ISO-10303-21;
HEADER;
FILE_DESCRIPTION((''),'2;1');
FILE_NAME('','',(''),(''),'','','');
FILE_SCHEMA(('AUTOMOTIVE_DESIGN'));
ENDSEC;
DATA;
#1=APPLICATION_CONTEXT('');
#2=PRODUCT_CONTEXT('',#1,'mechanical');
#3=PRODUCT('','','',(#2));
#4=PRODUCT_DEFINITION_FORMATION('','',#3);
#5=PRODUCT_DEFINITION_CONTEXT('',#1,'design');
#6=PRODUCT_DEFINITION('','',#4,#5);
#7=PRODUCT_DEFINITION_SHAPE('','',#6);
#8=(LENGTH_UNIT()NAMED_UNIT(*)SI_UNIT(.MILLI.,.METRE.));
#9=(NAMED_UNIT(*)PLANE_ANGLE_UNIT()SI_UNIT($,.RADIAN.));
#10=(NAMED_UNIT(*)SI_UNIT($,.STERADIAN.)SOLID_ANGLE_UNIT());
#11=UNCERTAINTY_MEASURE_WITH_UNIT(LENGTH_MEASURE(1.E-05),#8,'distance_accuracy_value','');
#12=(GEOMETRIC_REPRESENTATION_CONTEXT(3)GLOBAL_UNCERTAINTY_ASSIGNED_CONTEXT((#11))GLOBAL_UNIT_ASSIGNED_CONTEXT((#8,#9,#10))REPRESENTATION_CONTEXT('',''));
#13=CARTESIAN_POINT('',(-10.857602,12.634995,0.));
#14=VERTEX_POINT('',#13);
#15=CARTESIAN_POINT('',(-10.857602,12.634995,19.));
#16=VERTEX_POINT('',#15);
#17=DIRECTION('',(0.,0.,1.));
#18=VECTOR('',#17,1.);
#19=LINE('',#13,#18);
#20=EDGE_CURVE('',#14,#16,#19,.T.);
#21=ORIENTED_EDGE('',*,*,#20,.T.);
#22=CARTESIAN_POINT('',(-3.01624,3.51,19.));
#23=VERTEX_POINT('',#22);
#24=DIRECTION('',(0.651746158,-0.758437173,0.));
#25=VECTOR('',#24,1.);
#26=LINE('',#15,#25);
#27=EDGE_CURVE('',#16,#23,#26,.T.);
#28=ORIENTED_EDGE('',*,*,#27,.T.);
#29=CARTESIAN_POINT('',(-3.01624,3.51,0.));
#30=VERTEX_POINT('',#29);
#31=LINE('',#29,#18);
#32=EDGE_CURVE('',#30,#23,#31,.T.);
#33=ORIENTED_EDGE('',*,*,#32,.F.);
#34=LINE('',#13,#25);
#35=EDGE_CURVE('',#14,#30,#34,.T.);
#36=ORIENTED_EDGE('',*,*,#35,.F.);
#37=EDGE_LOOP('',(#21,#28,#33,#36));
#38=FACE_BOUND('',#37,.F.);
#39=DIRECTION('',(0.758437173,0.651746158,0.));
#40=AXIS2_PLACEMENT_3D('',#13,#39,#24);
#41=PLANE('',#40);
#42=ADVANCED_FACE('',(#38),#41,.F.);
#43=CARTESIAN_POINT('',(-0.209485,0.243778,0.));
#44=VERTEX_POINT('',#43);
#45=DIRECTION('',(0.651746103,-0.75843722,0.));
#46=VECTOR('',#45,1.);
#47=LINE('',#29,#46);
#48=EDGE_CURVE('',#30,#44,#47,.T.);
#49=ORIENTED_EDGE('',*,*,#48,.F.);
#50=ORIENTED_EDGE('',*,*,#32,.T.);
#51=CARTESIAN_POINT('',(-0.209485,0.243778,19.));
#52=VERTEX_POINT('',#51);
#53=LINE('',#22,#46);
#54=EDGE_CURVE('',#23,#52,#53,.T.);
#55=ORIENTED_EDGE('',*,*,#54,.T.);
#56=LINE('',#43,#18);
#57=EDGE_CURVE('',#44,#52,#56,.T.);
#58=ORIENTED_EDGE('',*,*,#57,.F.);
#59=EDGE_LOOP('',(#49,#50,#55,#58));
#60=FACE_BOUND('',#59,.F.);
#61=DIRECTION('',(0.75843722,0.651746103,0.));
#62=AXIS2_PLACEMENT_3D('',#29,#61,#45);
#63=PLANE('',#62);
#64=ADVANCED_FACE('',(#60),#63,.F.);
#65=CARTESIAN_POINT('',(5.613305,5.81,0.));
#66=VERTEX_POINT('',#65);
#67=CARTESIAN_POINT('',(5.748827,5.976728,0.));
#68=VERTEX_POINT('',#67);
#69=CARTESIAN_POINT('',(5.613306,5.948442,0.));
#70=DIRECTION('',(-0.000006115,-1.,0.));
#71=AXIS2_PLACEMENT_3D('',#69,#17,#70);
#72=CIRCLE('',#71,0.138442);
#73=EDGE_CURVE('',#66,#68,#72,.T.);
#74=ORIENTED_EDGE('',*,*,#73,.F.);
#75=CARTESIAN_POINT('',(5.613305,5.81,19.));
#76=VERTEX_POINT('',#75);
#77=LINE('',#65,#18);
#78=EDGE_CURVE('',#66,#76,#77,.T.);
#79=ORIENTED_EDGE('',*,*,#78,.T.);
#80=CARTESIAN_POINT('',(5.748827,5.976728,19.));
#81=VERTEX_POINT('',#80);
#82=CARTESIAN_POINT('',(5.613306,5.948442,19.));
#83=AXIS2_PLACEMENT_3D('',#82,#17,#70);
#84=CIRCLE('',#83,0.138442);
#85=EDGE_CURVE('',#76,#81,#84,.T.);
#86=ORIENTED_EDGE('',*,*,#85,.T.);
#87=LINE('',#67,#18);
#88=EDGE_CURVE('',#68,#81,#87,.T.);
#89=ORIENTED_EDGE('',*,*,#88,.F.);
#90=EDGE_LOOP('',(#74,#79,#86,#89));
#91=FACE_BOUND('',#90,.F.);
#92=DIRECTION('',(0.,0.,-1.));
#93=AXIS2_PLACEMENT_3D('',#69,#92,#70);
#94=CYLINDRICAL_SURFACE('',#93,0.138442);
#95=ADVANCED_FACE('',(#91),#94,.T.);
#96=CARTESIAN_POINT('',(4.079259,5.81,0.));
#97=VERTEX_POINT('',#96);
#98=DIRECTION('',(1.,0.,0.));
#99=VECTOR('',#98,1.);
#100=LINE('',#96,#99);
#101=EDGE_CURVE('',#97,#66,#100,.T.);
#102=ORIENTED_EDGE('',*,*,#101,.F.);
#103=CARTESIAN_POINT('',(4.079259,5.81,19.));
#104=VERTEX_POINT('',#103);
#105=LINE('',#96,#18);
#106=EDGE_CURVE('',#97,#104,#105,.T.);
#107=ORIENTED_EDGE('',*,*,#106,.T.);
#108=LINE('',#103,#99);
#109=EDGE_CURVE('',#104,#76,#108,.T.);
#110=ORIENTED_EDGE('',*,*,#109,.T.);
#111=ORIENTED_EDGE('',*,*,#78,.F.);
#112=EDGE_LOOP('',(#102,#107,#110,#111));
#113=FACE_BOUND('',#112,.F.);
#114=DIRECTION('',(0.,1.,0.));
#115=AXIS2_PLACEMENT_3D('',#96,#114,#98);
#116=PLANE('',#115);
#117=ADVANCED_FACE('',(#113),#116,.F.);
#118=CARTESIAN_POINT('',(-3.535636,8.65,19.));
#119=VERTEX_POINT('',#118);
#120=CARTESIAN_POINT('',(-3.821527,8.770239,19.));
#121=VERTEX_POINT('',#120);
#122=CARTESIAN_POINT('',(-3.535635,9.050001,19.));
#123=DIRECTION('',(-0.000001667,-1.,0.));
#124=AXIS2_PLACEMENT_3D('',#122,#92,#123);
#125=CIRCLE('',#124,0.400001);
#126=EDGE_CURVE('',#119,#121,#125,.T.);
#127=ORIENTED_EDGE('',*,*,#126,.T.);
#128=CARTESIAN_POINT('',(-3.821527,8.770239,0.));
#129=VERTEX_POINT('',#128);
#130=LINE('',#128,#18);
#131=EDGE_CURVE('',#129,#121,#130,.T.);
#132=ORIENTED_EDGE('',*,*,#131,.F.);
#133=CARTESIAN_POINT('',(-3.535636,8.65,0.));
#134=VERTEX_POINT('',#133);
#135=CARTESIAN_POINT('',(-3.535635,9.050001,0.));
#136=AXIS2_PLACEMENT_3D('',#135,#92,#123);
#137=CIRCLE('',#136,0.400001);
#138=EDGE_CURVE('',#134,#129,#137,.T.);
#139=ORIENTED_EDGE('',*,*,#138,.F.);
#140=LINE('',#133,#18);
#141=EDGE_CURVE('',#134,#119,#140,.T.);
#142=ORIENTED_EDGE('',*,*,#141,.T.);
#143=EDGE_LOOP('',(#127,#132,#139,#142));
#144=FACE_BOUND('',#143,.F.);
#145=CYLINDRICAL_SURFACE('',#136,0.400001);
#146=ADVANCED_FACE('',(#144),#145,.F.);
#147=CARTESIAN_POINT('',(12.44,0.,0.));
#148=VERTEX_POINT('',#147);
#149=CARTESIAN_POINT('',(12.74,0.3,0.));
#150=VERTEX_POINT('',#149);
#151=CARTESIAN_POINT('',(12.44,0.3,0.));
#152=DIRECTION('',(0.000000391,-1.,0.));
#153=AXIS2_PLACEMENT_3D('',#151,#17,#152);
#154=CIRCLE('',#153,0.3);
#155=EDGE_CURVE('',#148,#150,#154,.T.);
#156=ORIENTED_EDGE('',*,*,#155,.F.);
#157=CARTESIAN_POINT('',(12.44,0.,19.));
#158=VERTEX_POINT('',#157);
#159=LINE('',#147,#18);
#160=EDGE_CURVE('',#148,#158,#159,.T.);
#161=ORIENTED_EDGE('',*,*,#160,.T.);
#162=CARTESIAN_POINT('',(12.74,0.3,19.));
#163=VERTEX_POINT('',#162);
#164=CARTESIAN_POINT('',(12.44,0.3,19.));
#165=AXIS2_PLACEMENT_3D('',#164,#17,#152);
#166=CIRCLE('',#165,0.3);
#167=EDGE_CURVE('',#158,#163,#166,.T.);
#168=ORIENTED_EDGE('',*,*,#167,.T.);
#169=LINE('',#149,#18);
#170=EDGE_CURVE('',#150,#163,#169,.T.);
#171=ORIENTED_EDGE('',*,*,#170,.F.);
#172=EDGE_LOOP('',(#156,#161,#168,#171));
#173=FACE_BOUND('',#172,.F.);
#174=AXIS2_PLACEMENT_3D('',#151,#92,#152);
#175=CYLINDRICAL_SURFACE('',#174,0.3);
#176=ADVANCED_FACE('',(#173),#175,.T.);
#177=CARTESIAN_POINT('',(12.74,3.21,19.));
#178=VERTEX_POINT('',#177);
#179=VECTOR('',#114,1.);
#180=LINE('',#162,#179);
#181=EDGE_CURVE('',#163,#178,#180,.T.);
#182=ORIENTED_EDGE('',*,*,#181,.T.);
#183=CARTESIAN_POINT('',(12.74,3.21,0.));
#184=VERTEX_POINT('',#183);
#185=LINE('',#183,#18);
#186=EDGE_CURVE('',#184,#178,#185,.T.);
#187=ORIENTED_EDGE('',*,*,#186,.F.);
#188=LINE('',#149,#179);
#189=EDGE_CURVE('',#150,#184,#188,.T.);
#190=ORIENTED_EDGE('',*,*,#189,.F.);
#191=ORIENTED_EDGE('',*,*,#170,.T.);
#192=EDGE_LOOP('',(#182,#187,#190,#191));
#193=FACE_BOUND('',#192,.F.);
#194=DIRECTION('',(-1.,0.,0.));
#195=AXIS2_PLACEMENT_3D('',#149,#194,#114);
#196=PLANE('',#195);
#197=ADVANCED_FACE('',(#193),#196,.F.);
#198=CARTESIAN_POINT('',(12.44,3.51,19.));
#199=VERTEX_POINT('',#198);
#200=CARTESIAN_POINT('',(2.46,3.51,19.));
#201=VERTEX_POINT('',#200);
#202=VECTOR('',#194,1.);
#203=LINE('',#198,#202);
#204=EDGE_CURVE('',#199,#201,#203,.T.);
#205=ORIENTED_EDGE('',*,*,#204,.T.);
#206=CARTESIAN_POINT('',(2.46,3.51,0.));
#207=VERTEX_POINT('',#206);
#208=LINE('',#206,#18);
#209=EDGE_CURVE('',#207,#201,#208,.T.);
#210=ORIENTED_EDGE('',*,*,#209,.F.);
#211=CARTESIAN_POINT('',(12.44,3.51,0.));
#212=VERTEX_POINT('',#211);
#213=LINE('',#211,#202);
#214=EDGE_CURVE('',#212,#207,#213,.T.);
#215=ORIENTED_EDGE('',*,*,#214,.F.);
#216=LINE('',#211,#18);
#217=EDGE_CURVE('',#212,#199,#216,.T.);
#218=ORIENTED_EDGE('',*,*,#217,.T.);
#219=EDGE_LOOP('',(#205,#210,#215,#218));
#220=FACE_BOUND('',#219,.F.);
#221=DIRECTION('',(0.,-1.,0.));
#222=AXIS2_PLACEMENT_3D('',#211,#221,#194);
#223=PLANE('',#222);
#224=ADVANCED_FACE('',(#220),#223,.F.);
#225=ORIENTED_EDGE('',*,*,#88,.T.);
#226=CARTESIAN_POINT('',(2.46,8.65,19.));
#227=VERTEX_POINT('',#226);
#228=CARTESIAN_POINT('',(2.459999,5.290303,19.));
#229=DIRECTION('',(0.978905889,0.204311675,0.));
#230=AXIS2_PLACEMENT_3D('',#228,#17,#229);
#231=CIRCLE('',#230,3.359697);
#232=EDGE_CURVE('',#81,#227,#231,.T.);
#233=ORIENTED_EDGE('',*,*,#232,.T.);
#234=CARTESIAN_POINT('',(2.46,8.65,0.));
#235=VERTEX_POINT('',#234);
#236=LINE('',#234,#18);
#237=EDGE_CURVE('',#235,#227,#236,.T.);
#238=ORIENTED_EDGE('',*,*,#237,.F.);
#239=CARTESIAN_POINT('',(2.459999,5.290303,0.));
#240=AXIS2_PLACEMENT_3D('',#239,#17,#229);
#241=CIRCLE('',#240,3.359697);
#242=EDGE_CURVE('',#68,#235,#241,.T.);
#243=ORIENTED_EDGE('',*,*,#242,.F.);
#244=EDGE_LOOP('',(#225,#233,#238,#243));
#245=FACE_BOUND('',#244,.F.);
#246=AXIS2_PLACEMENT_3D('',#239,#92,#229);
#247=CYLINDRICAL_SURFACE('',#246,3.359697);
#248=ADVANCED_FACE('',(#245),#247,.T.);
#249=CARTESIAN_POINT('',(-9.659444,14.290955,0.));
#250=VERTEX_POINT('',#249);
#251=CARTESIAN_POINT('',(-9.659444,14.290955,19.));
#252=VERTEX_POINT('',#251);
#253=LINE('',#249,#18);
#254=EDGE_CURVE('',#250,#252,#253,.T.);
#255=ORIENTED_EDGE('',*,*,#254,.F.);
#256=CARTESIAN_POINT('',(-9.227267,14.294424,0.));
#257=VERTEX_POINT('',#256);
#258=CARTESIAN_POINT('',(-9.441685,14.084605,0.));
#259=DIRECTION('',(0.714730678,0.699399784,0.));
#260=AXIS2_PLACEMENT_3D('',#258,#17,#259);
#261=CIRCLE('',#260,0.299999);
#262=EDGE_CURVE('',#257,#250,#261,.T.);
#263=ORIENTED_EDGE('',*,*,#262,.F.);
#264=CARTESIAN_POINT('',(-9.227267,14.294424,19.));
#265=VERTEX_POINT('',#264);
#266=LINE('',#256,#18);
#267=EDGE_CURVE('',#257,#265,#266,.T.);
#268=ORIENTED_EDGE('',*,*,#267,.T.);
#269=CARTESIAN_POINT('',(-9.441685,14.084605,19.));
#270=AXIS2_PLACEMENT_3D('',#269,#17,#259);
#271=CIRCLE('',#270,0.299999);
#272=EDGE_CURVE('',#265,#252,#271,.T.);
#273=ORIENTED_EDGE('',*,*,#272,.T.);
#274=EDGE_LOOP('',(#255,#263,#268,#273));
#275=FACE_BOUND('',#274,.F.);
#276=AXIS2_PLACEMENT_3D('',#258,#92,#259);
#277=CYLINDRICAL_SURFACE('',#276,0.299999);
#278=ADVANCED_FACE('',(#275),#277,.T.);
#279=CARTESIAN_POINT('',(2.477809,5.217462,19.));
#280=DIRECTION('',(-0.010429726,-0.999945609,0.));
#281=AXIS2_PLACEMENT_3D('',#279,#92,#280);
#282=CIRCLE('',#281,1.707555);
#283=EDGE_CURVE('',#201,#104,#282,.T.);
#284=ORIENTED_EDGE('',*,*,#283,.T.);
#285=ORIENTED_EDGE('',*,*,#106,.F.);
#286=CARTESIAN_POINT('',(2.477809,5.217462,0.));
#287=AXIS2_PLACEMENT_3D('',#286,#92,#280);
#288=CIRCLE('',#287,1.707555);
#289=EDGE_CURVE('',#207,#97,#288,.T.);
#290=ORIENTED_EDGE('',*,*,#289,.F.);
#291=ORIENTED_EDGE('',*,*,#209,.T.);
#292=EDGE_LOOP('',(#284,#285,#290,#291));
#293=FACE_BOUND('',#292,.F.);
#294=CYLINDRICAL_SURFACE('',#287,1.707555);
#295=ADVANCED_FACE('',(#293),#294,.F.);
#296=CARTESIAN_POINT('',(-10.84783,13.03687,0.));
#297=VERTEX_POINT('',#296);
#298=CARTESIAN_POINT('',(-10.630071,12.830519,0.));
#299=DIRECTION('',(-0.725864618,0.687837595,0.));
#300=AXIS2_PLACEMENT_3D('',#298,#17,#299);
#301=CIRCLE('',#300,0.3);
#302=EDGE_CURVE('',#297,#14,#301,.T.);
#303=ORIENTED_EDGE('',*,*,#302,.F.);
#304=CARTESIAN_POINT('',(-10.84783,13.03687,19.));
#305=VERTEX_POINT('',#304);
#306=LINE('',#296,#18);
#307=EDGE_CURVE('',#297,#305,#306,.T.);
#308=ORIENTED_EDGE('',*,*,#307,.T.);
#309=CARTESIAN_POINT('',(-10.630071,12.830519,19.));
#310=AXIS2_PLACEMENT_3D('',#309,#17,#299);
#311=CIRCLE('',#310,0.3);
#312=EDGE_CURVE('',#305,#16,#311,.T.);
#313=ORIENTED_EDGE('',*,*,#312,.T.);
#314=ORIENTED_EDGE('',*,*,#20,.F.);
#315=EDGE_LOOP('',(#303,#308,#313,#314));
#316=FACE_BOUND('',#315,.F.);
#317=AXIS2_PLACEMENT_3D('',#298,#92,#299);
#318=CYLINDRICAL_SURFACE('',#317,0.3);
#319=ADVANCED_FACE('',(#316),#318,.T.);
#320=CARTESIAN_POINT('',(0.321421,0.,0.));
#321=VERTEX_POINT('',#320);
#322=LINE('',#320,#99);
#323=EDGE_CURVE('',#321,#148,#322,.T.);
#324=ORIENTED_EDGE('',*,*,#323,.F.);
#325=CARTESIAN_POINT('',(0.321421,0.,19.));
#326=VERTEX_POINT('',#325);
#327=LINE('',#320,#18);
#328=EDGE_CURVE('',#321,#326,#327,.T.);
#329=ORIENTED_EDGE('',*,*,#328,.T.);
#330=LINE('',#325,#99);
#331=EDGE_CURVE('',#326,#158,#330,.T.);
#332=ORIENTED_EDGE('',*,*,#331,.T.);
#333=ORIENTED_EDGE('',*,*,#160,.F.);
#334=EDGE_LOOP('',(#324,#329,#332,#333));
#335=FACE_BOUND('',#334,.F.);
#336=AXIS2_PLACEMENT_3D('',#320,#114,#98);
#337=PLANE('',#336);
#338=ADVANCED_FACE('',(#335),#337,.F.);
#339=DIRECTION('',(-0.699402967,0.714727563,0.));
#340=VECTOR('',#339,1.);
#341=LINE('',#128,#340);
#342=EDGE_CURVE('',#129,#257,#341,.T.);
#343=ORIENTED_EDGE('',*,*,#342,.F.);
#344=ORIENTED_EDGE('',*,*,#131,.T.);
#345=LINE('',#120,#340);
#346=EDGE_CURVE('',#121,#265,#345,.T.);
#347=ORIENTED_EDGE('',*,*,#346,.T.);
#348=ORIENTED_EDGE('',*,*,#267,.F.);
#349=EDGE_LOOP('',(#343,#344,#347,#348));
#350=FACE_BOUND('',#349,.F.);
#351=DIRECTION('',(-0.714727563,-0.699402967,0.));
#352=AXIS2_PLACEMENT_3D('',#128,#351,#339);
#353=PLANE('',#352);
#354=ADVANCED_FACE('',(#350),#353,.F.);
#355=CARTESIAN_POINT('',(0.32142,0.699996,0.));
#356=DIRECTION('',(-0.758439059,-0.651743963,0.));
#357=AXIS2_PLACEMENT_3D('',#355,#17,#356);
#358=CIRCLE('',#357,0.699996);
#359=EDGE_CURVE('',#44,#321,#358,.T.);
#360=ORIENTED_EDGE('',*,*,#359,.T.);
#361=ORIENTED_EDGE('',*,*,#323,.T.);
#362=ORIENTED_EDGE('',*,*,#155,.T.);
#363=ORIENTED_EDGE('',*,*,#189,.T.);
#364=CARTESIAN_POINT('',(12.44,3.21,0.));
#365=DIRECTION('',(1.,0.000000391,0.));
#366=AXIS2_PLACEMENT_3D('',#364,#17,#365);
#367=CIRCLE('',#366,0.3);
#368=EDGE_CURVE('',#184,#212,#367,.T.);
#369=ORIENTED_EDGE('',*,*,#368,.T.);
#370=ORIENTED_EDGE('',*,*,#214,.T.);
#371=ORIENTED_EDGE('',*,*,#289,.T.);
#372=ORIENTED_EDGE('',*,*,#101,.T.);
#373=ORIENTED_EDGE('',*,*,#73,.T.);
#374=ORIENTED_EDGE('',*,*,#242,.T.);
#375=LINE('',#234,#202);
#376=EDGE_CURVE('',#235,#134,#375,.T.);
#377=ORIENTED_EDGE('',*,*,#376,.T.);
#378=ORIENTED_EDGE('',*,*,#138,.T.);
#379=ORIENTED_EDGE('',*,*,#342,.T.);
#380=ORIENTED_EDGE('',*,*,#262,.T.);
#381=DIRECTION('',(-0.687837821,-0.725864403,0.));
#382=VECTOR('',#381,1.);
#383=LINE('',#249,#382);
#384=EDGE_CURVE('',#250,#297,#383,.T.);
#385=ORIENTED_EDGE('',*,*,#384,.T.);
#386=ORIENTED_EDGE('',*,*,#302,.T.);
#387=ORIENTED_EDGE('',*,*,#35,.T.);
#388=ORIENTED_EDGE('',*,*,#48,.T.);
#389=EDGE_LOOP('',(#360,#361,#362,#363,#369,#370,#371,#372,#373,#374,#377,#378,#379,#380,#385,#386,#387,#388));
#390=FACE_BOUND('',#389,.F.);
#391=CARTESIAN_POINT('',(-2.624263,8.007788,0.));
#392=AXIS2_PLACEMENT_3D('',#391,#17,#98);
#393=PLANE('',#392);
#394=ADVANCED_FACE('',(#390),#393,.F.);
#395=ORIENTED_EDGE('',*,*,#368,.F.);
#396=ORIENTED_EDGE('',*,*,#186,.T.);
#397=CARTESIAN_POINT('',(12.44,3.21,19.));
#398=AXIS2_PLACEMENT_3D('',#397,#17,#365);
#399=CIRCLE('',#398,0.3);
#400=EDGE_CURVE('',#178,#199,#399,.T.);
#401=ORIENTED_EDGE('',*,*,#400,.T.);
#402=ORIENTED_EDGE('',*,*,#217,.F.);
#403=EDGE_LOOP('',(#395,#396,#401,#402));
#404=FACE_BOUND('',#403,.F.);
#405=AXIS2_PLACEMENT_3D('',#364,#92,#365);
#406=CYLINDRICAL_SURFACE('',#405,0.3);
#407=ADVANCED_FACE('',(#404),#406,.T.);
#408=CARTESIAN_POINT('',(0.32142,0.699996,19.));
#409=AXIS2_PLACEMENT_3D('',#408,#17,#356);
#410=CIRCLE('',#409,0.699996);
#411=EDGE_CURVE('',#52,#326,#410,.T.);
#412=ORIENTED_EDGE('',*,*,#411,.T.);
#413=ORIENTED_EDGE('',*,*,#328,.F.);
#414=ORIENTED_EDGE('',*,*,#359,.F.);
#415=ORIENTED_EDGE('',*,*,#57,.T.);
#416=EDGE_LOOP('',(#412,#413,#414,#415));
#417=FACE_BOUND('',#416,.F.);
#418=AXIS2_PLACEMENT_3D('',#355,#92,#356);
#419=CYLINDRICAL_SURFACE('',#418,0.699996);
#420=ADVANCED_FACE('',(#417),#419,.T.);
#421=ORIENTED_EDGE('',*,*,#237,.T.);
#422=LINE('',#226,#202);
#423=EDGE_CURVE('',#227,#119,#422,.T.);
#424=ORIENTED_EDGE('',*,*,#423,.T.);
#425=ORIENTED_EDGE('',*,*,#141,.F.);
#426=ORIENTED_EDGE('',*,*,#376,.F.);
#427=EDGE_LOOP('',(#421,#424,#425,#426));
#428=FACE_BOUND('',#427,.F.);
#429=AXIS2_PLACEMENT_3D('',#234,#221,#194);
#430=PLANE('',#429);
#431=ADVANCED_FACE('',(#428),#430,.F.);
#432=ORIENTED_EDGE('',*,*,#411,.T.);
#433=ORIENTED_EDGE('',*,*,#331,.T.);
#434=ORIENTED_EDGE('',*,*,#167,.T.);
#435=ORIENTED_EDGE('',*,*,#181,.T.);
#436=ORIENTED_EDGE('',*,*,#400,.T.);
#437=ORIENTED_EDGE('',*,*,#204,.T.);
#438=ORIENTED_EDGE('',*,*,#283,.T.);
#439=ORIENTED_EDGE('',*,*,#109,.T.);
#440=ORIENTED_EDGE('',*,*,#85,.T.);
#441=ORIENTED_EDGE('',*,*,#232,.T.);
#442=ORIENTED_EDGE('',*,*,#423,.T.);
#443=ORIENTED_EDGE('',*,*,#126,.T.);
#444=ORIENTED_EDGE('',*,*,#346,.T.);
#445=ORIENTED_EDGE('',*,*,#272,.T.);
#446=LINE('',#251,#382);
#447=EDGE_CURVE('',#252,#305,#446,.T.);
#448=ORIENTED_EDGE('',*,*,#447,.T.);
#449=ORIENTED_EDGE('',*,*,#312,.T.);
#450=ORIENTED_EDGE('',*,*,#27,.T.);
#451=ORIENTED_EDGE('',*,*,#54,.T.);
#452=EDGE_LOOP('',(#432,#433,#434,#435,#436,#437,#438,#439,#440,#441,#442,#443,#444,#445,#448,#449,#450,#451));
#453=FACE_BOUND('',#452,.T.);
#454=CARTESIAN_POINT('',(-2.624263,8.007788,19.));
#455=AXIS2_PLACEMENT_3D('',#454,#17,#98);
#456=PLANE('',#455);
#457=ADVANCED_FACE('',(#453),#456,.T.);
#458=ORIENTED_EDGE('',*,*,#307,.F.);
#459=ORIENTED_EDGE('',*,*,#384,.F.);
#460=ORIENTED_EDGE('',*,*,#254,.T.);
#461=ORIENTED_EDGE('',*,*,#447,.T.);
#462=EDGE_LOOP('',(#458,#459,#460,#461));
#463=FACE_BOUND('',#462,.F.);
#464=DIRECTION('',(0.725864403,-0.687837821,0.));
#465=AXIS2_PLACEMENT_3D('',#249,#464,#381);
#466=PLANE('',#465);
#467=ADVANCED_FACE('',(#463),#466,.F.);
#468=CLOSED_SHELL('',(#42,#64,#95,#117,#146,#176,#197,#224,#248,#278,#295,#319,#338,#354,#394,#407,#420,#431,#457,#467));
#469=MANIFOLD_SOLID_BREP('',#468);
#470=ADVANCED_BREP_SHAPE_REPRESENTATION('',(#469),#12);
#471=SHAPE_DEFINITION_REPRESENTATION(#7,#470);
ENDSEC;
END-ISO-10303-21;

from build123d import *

# Parameters (mm, degrees)
F1_DEPTH = 19


with BuildPart() as f1:
    # F0 (on Top) → F1 (new body)
    with BuildSketch(Plane.XY):
        with BuildLine():
            Line((-10.857602, 12.634995), (-3.01624, 3.51))
            Line((-3.01624, 3.51), (2.46, 3.51))
            ThreePointArc((2.46, 3.51), (1.081572, 6.200449), (4.079259, 5.81))
            Line((4.079259, 5.81), (5.613305, 5.81))
            ThreePointArc((5.613305, 5.81), (5.720735, 5.86112), (5.748827, 5.976728))
            ThreePointArc((5.748827, 5.976728), (4.579125, 7.897384), (2.46, 8.65))
            Line((2.46, 8.65), (-3.535636, 8.65))
            ThreePointArc((-3.535636, 8.65), (-3.690709, 8.681283), (-3.821527, 8.770239))
            Line((-3.821527, 8.770239), (-9.227267, 14.294424))
            ThreePointArc((-9.227267, 14.294424), (-9.444093, 14.384594), (-9.659444, 14.290955))
            Line((-9.659444, 14.290955), (-10.84783, 13.03687))
            ThreePointArc((-10.84783, 13.03687), (-10.929982, 12.837811), (-10.857602, 12.634995))
        make_face()
        with BuildLine():
            ThreePointArc((-0.209485, 0.243778), (0.029321, 0.063857), (0.321421, 0))
            Line((0.321421, 0), (12.44, 0))
            ThreePointArc((12.44, 0), (12.652132, 0.087868), (12.74, 0.3))
            Line((12.74, 0.3), (12.74, 3.21))
            ThreePointArc((12.74, 3.21), (12.652132, 3.422132), (12.44, 3.51))
            Line((12.44, 3.51), (2.46, 3.51))
            Line((2.46, 3.51), (-3.01624, 3.51))
            Line((-3.01624, 3.51), (-0.209485, 0.243778))
        make_face()
    extrude(amount=F1_DEPTH)


solid = f1.part
